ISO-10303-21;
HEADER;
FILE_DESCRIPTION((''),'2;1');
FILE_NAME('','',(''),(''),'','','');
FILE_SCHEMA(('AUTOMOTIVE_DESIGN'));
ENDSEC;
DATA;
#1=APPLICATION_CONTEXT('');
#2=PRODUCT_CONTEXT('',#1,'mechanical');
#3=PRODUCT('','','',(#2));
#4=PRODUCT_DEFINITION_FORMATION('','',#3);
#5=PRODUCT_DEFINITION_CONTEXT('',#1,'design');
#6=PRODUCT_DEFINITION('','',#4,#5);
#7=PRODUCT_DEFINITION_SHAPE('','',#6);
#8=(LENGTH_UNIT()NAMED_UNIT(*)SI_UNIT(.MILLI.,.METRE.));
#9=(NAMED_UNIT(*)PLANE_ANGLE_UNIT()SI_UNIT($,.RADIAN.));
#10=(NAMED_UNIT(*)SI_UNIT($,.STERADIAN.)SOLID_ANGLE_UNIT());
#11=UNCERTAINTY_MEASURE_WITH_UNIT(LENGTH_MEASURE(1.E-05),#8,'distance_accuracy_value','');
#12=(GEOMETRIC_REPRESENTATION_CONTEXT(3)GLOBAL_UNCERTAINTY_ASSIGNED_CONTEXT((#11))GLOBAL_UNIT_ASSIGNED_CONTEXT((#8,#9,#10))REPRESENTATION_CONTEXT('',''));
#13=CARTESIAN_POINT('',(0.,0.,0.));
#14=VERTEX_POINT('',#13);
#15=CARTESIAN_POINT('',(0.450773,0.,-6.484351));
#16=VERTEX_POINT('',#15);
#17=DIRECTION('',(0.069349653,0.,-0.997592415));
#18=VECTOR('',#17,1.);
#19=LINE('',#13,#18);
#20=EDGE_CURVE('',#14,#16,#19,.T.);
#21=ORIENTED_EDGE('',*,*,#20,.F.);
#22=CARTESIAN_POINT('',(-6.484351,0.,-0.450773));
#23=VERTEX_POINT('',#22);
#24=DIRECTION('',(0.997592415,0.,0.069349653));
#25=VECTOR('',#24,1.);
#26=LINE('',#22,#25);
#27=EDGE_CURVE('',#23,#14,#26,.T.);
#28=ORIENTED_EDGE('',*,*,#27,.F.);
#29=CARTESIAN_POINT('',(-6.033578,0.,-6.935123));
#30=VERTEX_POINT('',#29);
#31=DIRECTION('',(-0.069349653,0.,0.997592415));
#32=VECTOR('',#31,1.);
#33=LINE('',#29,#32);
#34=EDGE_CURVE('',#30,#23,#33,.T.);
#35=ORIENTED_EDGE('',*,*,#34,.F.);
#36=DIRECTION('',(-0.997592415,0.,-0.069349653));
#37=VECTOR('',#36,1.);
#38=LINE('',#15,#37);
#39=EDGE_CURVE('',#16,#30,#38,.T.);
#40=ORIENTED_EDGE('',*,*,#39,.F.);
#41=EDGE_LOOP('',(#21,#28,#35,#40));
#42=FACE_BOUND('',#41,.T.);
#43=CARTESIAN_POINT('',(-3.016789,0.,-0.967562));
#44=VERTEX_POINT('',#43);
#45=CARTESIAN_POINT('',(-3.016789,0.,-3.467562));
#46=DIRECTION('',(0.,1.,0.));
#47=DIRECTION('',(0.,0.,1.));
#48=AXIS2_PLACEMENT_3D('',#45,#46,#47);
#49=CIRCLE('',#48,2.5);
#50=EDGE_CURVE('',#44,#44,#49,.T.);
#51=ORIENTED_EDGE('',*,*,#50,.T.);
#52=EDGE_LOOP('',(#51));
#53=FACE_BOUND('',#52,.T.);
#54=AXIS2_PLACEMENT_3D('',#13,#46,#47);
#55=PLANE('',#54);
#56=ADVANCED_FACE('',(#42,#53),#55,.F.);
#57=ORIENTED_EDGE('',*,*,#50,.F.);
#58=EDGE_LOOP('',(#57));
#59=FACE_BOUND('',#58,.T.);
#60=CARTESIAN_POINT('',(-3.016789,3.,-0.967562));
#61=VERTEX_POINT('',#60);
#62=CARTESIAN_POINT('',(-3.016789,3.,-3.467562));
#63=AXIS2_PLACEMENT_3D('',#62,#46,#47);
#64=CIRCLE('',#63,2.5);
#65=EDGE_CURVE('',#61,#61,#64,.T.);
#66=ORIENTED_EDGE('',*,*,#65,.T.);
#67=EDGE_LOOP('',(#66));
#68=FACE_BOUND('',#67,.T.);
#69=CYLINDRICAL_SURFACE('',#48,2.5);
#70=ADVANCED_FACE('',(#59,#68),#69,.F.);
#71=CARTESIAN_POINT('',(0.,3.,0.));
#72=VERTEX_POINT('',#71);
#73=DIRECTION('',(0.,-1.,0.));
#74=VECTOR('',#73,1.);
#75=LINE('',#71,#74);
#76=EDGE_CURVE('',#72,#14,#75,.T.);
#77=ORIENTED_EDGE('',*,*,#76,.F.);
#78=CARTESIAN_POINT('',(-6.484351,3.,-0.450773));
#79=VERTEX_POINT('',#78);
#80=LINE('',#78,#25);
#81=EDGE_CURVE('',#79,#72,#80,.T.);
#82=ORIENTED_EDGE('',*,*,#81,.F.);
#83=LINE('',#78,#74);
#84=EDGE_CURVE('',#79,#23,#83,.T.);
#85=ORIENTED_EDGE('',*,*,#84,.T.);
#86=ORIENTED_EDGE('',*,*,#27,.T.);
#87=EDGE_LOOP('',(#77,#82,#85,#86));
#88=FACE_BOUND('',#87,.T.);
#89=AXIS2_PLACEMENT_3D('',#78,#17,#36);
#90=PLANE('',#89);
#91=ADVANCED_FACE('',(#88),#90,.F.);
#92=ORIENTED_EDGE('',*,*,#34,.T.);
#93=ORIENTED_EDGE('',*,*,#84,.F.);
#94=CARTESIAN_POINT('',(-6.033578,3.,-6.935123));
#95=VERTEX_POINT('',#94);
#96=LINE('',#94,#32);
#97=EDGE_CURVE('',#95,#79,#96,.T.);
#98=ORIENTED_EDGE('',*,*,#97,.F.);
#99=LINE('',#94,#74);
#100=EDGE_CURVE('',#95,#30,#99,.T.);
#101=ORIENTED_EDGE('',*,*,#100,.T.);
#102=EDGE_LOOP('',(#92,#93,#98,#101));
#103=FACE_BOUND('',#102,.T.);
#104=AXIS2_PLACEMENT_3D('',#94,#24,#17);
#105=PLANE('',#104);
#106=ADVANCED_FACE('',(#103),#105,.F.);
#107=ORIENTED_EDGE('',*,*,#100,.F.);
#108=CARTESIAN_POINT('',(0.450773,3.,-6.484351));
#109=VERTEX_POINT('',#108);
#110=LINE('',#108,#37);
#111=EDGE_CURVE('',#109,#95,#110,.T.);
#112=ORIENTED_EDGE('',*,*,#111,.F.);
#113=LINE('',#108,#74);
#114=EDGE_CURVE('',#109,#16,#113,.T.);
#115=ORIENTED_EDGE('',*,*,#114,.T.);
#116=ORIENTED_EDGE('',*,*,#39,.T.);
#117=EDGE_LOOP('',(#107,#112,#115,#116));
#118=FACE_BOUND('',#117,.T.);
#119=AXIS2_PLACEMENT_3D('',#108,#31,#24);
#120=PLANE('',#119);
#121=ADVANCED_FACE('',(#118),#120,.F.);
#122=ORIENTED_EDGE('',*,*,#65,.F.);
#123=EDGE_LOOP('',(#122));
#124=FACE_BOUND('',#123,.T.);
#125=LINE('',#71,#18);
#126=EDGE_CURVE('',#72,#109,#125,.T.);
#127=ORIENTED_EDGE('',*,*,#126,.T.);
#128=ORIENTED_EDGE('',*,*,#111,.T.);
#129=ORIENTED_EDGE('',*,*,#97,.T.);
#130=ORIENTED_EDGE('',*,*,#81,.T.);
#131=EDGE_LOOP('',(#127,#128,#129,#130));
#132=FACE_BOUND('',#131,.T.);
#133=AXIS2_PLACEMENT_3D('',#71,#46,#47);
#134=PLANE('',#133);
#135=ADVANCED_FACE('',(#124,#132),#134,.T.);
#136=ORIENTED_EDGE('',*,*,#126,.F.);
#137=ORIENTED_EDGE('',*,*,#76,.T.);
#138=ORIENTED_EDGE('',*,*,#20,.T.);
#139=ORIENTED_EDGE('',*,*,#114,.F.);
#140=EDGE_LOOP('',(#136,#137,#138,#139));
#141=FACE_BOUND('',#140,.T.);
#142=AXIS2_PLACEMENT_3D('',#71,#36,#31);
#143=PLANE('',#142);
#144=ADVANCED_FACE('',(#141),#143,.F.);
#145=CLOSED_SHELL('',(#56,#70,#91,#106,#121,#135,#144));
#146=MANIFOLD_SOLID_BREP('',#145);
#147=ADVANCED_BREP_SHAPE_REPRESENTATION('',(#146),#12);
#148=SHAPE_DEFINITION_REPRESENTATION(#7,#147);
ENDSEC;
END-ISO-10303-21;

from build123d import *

# Parameters (mm, degrees)
BOSS_EXTRUDE1_DEPTH = 3
SKETCH3_R           = 2.5
CUT_EXTRUDE1_DEPTH  = 3


with BuildPart() as part:
    # Sketch2 → Boss-Extrude1 (new body)
    with BuildSketch(Plane(origin=(0, 0, 0), x_dir=(1, 0, 0), z_dir=(0, 1, 0))):
        Polygon((0, 0), (0.450772745, 6.484350695), (-6.03357795, 6.93512344), (-6.484350695, 0.450772745), align=None)
    extrude(amount=BOSS_EXTRUDE1_DEPTH)

    # Sketch3 → Cut-Extrude1 (cut)
    with BuildSketch(Plane(origin=(0, 3, 0), x_dir=(1, 0, 0), z_dir=(0, 1, 0))):
        with Locations(Location((-3.016788975, 3.46756172, 0), (0, 0, 270))):
            Circle(SKETCH3_R)
    extrude(amount=-CUT_EXTRUDE1_DEPTH, mode=Mode.SUBTRACT)


solid = part.part
